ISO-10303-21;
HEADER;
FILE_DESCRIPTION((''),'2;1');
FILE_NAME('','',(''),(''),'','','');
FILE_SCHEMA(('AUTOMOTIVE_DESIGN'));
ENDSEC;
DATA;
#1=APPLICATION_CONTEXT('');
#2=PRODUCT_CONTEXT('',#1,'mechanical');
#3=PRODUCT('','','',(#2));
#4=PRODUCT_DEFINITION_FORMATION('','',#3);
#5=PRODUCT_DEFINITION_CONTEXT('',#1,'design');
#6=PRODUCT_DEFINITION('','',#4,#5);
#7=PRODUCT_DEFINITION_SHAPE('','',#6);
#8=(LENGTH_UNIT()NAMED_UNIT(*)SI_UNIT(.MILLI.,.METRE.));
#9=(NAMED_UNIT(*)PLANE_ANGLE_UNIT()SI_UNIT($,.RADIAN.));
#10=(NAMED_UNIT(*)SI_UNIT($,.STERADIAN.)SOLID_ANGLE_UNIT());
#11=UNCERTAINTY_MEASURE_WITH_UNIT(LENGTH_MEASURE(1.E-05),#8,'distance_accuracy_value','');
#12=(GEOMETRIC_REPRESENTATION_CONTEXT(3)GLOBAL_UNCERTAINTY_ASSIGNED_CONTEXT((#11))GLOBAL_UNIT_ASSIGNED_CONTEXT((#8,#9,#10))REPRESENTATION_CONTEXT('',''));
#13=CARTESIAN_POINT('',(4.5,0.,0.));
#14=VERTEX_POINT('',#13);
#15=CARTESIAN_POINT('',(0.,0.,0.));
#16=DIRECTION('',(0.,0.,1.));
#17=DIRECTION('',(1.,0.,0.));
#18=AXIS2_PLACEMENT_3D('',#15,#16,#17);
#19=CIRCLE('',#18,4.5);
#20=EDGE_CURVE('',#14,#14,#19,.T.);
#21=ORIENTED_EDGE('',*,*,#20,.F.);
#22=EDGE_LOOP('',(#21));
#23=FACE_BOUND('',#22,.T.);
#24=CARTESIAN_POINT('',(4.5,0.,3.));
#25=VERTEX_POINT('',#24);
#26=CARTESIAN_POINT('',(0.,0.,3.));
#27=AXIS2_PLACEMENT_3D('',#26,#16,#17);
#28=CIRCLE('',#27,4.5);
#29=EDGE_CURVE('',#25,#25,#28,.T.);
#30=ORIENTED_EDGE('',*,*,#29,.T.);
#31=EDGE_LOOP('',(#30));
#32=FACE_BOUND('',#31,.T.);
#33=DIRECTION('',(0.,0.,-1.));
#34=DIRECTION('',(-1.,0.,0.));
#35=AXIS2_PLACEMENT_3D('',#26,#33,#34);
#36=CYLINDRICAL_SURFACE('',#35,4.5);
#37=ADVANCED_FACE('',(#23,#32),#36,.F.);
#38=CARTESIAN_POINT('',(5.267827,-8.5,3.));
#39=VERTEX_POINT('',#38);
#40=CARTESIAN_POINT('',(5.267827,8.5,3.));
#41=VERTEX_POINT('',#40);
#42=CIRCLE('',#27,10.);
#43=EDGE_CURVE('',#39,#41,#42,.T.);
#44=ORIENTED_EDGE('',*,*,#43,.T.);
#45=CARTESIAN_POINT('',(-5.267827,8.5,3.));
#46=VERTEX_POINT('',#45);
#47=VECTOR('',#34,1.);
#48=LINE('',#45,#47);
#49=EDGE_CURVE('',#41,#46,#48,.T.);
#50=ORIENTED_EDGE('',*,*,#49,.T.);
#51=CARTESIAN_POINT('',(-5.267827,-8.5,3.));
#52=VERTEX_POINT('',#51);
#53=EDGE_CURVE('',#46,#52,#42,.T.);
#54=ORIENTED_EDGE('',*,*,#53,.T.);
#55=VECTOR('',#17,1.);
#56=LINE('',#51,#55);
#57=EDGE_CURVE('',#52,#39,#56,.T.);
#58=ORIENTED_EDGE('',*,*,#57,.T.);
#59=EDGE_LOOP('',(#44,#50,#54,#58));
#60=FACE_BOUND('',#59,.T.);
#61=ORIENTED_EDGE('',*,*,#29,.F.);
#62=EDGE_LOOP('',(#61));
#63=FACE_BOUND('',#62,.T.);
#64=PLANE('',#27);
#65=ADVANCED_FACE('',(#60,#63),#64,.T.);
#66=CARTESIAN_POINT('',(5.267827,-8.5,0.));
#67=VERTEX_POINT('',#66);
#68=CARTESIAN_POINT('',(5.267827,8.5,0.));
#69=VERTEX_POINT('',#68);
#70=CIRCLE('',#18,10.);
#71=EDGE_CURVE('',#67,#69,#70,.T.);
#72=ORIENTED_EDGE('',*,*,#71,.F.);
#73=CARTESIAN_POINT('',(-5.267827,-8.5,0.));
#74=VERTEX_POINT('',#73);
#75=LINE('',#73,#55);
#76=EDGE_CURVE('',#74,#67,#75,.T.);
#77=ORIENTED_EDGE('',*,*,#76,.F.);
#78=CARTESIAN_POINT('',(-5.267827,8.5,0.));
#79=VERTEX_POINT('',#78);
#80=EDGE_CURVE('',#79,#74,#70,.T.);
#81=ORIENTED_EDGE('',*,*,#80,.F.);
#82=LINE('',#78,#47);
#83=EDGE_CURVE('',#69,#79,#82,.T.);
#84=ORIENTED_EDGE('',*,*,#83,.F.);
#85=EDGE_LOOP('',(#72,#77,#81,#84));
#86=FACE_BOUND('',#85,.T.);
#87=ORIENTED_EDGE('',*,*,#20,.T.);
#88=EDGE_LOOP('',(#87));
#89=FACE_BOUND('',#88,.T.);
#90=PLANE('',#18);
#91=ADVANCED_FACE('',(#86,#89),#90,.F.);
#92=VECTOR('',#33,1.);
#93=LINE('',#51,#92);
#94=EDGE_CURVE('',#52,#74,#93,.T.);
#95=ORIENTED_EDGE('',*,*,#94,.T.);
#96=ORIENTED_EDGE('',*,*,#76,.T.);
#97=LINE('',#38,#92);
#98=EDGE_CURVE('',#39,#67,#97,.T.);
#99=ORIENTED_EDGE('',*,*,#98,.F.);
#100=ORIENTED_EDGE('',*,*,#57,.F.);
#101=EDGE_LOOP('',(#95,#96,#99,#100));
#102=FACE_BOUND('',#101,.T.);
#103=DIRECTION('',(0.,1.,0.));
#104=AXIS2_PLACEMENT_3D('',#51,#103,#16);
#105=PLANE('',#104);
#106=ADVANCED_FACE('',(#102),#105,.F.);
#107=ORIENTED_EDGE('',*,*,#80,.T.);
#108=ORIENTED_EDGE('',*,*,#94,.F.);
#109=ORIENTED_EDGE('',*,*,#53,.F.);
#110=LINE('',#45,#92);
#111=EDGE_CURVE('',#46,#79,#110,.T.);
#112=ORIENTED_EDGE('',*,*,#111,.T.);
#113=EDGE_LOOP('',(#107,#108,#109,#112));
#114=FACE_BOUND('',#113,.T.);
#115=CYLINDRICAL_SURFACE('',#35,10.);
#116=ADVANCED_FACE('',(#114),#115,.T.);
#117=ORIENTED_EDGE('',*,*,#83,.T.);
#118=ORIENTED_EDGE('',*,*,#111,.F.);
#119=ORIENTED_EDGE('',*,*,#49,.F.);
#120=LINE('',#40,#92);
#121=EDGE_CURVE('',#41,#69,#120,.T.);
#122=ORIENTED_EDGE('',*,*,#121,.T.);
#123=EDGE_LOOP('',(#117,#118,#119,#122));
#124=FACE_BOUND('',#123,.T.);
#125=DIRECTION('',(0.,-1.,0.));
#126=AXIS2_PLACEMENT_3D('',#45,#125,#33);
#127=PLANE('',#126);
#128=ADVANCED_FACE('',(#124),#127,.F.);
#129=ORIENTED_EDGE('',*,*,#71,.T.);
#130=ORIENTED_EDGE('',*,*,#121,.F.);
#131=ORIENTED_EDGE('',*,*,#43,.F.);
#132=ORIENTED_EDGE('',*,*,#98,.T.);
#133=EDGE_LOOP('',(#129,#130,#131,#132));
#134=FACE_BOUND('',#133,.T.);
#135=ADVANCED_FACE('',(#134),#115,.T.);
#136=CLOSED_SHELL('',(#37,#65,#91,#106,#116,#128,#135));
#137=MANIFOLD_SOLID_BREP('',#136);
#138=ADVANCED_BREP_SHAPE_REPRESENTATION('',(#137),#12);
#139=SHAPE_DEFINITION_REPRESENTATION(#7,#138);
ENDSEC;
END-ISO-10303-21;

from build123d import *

# Parameters (mm, degrees)
SKETCH_1_R      = 4.5
EXTRUDE_1_DEPTH = 3


with BuildPart() as part:
    # 草图1 → 凸台-拉伸1 (new body)
    with BuildSketch(Plane.XY):
        with BuildLine():
            Line((-5.267826876, 8.5), (5.267826876, 8.5))
            ThreePointArc((5.267826876, 8.5), (10, 0), (5.267826876, -8.5))
            Line((5.267826876, -8.5), (-5.267826876, -8.5))
            ThreePointArc((-5.267826876, -8.5), (-10, 0), (-5.267826876, 8.5))
        make_face()
        Circle(SKETCH_1_R, mode=Mode.SUBTRACT)
    extrude(amount=EXTRUDE_1_DEPTH)


solid = part.part
